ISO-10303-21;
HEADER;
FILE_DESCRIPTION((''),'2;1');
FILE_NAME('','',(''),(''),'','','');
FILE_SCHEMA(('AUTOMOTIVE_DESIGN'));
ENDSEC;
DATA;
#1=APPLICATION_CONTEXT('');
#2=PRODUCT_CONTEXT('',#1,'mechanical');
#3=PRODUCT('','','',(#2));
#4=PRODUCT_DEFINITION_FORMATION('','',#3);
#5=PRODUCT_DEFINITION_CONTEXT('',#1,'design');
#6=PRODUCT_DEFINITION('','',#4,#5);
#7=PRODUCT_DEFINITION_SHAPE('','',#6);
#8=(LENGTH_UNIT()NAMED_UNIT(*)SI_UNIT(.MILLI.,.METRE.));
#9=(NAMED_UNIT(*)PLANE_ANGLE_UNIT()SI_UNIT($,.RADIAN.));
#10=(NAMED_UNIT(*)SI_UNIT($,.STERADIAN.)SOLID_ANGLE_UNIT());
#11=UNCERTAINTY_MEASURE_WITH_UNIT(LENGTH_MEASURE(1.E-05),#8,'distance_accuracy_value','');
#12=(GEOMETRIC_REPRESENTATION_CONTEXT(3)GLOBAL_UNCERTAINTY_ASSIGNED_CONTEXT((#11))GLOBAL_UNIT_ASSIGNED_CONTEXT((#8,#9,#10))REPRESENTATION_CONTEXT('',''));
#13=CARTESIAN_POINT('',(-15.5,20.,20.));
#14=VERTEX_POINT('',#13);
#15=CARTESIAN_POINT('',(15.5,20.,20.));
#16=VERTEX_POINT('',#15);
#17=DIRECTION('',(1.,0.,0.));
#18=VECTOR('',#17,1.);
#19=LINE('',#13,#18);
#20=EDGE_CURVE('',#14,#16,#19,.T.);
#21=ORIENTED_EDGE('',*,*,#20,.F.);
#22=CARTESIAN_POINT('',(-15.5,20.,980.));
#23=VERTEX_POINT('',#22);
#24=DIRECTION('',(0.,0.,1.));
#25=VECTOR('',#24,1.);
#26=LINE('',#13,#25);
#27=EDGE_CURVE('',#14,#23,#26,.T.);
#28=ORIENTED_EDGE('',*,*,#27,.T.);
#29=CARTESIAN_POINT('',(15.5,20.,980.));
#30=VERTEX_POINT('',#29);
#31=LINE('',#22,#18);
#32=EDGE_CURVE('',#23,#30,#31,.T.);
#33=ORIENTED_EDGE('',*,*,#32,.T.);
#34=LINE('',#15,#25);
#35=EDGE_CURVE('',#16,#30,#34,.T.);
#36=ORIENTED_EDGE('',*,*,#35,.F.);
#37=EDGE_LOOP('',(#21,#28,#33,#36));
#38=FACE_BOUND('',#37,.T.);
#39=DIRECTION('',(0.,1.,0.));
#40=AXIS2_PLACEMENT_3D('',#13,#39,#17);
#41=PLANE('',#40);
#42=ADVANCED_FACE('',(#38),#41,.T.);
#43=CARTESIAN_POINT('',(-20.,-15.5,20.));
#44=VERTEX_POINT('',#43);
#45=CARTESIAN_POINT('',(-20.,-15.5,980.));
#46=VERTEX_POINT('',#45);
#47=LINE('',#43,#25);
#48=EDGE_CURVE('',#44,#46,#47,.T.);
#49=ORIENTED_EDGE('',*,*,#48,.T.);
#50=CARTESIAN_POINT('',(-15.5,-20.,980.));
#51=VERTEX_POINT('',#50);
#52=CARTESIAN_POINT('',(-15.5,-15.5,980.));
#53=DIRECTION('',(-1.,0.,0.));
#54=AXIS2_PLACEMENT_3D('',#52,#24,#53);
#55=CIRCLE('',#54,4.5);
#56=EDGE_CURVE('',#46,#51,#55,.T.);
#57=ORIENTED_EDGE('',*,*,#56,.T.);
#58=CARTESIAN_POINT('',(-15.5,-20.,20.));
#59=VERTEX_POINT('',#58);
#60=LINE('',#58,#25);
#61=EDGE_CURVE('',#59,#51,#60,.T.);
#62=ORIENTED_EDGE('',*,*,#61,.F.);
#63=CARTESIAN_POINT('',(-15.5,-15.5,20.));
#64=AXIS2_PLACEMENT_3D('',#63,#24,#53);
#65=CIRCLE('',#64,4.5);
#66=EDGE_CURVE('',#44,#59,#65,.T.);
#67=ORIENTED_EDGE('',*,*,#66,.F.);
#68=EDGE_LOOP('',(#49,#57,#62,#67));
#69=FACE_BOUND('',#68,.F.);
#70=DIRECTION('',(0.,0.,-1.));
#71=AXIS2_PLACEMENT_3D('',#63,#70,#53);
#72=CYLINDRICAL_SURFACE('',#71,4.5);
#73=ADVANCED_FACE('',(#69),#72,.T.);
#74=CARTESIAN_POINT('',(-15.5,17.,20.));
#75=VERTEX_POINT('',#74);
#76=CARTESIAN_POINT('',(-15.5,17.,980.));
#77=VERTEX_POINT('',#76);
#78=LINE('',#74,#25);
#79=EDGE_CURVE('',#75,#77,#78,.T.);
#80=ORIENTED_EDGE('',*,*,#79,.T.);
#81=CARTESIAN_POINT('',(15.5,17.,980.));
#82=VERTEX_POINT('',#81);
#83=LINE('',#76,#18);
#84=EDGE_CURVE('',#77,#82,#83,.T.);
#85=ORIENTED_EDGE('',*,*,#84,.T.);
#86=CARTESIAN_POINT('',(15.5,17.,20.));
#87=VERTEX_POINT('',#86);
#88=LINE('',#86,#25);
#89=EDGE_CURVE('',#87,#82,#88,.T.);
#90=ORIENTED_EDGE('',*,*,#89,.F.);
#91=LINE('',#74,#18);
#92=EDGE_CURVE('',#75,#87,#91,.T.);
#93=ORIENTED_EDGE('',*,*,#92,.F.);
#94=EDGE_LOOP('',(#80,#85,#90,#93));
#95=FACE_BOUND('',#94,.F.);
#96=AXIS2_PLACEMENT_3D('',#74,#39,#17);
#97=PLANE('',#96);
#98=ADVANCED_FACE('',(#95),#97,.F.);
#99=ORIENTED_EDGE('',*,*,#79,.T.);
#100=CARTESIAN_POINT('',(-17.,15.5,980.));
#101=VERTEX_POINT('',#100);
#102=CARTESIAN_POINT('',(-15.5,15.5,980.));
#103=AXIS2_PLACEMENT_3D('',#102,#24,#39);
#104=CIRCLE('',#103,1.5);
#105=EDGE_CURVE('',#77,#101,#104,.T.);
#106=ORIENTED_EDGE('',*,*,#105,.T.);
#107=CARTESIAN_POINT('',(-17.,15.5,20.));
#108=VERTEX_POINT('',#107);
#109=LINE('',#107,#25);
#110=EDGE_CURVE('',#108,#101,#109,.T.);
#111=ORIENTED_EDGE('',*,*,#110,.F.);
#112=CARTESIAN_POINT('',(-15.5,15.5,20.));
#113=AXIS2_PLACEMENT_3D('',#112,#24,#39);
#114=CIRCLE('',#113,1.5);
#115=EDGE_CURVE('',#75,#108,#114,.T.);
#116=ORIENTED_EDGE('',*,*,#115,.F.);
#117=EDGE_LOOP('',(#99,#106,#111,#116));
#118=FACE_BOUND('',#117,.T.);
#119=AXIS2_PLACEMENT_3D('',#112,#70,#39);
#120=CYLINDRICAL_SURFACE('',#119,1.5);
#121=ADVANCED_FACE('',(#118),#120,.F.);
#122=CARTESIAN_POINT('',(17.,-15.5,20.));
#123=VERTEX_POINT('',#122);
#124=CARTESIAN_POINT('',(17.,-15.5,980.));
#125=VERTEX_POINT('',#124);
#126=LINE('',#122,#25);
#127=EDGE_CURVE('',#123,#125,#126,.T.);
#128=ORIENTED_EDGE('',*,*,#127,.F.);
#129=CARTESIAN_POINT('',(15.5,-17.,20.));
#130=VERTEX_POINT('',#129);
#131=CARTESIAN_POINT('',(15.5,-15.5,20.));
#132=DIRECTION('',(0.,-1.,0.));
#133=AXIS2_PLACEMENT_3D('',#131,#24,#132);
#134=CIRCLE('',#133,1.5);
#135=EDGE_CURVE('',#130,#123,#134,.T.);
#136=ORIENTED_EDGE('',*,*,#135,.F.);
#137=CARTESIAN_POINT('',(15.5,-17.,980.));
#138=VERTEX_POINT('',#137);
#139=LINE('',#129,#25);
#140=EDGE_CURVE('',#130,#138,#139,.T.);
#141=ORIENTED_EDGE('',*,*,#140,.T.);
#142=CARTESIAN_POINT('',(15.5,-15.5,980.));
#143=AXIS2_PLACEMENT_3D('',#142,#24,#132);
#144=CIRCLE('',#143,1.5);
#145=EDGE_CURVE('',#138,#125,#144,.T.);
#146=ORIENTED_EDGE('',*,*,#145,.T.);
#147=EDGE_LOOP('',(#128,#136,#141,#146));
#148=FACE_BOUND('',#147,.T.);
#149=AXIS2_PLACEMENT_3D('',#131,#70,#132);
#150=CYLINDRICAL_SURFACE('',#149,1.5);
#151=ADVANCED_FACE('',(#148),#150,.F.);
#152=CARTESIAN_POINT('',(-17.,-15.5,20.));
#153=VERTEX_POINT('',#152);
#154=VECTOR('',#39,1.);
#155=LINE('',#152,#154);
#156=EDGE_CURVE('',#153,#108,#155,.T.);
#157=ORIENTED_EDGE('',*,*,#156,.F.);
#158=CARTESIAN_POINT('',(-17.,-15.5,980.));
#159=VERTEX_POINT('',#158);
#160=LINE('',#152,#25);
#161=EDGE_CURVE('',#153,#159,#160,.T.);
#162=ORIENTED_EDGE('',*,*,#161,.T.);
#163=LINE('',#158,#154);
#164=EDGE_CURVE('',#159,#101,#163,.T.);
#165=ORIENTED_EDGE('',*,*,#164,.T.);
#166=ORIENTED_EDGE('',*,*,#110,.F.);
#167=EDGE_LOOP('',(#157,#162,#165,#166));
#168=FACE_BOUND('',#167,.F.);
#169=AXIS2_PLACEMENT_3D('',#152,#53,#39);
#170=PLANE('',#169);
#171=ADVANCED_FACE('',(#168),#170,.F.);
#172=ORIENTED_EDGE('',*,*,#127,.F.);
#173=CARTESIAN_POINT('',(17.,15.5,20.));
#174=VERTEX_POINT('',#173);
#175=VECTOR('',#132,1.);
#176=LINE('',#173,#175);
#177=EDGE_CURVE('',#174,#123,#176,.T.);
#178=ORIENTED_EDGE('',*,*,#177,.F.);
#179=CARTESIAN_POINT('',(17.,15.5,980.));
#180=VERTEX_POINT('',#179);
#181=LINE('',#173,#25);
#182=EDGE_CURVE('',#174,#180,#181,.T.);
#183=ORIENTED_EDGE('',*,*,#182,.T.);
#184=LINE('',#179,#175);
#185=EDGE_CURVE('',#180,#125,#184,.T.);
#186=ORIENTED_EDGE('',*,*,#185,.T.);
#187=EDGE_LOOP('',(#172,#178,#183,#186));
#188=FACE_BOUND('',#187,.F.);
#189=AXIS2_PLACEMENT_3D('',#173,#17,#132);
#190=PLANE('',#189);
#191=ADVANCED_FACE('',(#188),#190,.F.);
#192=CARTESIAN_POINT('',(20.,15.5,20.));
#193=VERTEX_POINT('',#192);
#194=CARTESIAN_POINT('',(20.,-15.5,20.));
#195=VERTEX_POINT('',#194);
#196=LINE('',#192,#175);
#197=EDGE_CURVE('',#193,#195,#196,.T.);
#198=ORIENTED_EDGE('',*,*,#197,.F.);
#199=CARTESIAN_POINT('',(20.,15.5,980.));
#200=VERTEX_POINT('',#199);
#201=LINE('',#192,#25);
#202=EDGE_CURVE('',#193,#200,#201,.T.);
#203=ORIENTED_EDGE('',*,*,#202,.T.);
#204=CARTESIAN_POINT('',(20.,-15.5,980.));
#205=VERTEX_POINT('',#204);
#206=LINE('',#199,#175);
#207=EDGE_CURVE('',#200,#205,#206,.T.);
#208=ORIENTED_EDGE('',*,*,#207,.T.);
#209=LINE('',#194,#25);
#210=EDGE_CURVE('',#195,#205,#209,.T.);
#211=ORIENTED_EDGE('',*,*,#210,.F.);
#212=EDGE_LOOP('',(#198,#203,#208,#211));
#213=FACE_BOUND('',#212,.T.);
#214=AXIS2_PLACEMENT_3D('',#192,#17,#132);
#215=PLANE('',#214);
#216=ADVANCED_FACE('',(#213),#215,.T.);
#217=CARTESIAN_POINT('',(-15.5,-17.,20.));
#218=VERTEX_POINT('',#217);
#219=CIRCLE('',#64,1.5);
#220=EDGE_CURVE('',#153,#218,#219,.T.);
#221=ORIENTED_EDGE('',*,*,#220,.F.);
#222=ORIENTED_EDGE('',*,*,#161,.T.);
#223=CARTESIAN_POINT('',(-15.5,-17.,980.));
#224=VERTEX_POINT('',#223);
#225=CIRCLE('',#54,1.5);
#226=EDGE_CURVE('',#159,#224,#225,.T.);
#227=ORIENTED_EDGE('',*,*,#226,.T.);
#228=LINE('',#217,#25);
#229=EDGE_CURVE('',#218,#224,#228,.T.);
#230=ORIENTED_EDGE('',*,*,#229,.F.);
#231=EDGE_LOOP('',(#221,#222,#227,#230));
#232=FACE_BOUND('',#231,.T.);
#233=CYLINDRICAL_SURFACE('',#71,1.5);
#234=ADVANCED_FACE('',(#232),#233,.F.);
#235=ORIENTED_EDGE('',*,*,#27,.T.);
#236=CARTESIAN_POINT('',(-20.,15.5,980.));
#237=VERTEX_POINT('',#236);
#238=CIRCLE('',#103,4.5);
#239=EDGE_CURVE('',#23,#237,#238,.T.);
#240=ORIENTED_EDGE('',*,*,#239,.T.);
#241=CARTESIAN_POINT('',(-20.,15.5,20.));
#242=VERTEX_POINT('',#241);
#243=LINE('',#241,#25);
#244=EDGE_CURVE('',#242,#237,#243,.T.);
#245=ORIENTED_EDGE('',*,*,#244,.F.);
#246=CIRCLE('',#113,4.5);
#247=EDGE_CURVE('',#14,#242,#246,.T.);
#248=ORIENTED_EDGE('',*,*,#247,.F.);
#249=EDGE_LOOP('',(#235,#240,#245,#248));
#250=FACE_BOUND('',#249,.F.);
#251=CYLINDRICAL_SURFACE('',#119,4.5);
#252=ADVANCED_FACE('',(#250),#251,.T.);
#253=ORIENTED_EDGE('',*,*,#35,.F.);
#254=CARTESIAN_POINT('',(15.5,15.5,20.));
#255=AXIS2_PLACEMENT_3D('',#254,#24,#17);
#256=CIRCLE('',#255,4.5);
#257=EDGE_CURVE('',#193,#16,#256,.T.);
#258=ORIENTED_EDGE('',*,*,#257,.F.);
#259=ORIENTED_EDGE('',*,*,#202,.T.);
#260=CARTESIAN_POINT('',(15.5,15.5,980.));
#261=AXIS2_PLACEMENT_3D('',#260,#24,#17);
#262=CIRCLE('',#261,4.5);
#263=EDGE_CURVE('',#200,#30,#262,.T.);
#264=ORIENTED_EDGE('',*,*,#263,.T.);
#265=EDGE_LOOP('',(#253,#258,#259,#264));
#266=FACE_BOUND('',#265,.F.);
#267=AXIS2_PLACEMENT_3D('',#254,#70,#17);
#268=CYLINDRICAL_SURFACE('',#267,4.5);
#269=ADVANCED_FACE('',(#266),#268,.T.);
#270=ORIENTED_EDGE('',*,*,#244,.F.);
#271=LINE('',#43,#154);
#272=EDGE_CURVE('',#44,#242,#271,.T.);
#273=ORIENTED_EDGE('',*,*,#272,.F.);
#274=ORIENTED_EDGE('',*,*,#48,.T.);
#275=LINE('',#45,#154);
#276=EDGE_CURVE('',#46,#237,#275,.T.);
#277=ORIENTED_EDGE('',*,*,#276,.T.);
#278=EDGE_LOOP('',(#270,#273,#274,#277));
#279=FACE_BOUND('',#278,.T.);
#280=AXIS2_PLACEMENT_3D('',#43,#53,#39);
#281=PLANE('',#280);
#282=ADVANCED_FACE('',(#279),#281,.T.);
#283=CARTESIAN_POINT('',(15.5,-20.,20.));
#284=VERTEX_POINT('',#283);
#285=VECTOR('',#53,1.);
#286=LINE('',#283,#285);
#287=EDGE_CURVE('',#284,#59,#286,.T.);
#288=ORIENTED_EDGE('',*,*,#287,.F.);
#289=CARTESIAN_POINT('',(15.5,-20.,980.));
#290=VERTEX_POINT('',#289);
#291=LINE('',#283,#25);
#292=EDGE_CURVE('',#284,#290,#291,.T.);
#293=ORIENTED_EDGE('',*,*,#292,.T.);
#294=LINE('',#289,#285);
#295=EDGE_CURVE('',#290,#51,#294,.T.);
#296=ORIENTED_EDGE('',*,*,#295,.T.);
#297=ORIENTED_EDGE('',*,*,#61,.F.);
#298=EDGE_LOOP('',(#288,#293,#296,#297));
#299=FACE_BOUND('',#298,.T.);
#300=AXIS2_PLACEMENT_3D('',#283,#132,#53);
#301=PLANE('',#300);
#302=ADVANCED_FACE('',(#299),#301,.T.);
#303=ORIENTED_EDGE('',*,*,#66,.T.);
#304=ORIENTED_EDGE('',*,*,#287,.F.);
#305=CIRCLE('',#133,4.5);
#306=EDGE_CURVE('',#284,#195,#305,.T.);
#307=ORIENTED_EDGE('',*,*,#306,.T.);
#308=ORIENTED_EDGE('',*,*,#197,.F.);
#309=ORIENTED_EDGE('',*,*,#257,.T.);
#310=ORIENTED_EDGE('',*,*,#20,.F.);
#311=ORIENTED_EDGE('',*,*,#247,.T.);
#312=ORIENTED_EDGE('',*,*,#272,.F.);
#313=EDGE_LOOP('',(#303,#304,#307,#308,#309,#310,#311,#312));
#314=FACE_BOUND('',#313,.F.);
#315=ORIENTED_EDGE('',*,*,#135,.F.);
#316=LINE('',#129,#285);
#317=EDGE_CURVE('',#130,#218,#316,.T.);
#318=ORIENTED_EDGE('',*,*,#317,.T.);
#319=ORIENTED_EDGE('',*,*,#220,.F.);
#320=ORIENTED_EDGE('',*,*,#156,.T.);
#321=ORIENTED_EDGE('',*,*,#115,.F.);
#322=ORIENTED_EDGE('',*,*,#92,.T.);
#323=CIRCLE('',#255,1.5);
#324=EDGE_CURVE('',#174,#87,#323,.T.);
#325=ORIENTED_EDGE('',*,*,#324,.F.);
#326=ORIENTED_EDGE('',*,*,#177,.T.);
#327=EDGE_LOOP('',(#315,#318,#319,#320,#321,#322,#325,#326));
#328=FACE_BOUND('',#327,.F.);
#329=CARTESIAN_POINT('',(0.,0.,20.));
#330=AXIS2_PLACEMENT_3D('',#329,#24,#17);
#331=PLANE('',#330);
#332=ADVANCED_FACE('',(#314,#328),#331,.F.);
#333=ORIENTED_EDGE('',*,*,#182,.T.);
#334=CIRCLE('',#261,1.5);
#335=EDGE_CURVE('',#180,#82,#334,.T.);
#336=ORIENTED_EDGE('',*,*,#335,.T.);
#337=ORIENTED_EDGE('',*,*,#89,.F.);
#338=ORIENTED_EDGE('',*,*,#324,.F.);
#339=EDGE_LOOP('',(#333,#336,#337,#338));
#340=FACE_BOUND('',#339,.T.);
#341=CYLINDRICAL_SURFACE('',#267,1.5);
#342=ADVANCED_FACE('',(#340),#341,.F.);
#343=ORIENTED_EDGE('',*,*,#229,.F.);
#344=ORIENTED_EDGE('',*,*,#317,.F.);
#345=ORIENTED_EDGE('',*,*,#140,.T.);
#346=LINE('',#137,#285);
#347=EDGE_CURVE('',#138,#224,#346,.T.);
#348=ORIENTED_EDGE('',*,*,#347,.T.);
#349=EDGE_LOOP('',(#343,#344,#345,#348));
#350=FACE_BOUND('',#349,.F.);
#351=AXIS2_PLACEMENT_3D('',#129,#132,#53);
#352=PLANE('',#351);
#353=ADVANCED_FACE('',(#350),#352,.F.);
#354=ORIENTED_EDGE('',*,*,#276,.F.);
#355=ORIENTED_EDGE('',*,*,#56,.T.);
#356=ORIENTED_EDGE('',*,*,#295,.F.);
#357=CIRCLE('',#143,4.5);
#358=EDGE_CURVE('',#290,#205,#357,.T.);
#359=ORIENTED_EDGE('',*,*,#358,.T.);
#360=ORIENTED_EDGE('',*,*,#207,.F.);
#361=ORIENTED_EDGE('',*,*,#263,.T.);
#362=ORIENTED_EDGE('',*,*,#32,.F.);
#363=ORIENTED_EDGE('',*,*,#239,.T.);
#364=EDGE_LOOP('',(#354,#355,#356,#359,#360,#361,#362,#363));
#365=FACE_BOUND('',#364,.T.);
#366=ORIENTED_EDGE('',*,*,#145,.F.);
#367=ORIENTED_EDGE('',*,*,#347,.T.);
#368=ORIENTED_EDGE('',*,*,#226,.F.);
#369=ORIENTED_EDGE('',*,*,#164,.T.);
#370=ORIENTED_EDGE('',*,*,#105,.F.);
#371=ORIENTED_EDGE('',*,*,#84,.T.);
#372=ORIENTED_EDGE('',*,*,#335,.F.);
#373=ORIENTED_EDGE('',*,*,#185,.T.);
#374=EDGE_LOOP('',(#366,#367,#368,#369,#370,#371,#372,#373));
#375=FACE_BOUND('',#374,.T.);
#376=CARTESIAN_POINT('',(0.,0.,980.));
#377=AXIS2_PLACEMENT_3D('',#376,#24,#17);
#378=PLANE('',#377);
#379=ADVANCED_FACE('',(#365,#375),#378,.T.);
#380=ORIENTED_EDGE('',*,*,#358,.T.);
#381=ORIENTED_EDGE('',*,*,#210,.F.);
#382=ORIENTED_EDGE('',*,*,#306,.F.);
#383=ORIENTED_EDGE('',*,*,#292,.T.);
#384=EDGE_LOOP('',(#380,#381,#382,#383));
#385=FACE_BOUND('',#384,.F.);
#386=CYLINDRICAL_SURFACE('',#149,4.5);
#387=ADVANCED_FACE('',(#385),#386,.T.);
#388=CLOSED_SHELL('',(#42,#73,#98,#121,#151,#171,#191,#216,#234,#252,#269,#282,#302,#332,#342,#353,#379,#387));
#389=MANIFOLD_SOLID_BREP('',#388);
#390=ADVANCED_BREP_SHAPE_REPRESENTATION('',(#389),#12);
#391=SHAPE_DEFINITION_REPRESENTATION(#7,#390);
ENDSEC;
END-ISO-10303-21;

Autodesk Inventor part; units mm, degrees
ref_plane "Start Plane" through (0, 0, 20) normal (0, 0, 1) x (1, 0, 0)
ref_plane "End Plane" through (0, 0, 980) normal (0, 0, 1) x (1, 0, 0)
sketch "Sketch" plane through (0, 0, 0) normal (0, 0, 1) x (1, 0, 0)
  line L0 (-20, -15.5) -> (-20, 15.5)
  line L1 (-15.5, 20) -> (15.5, 20)
  line L2 (20, 15.5) -> (20, -15.5)
  line L3 (15.5, -20) -> (-15.5, -20)
  arc A0 (-20, -15.5) -> (-15.5, -20) centre (-15.5, -15.5) ccw
  arc A1 (-15.5, 20) -> (-20, 15.5) centre (-15.5, 15.5) ccw
  arc A2 (20, 15.5) -> (15.5, 20) centre (15.5, 15.5) ccw
  arc A3 (15.5, -20) -> (20, -15.5) centre (15.5, -15.5) ccw
  arc A4 (-15.5, 17) -> (-17, 15.5) centre (-15.5, 15.5) ccw
  line L4 (-15.5, 17) -> (15.5, 17)
  arc A5 (17, 15.5) -> (15.5, 17) centre (15.5, 15.5) ccw
  line L5 (17, 15.5) -> (17, -15.5)
  arc A6 (15.5, -17) -> (17, -15.5) centre (15.5, -15.5) ccw
  line L6 (15.5, -17) -> (-15.5, -17)
  arc A7 (-17, -15.5) -> (-15.5, -17) centre (-15.5, -15.5) ccw
  line L7 (-17, -15.5) -> (-17, 15.5)
  line L8 (0, 29.3048) -> (0, -29.3048) construction
  line L9 (-29.3048, 0) -> (29.3048, 0) construction
  dimension "d7" = 4.5
  dimension "d10" = 40
  dimension "d11" = 40
  dimension "d12" = 3
  dimension "d15" = 20
  dimension "d16" = 20
extrude "Body" add sketch "Sketch" along normal up to surface (960 mm away) from surface at 20
sketch "Sketch3" plane through (0, 0, 0) normal (0, 0, 1) x (1, 0, 0)
  line L0 (0, 0) -> (10, 0)
ref_plane "Work Plane3" through (0, 0, 0) normal (0, -1, 0) x (1, 0, 0)
ref_plane "Work Plane4" through (0, 15.5, 980) normal (0, 0, 1) x (1, 0, 0)
split "Split1" plane through (0, 15.5, 980) removes the side toward (0, 0, 1)
ref_plane "Work Plane6" through (0, -15.5, 20) normal (0, 0, -1) x (-1, 0, 0)
split "Split3" plane through (0, -15.5, 20) removes the side toward (0, 0, -1)
sketch "Sketch4" plane through (0, 0, 0) normal (0, -1, 0) x (1, 0, 0)
  line L0 (-2, 20) -> (12, 20) projected
  line L1 (-2, 980) -> (12, 980) projected
  dimension "d18" = 960
equation "\"d7\" = G_IR"
equation "\"d10\" = G_H"
equation "\"d11\" = G_W"
equation "\"d12\" = G_T"
equation "\"d15\" = 0.5 * d10"
equation "\"d16\" = 0.5 * d11"
equation "\"d3\" = G_L"
equation "\"G_W\" = 40"
equation "\"G_H\" = 40"
equation "\"G_T\" = 3"
equation "\"G_IR\" = 4.5"
equation "\"G_L\" = d18"
properties part number "ISO 12633-2 - 40x40x3 - 960" material "Steel, Mild"
